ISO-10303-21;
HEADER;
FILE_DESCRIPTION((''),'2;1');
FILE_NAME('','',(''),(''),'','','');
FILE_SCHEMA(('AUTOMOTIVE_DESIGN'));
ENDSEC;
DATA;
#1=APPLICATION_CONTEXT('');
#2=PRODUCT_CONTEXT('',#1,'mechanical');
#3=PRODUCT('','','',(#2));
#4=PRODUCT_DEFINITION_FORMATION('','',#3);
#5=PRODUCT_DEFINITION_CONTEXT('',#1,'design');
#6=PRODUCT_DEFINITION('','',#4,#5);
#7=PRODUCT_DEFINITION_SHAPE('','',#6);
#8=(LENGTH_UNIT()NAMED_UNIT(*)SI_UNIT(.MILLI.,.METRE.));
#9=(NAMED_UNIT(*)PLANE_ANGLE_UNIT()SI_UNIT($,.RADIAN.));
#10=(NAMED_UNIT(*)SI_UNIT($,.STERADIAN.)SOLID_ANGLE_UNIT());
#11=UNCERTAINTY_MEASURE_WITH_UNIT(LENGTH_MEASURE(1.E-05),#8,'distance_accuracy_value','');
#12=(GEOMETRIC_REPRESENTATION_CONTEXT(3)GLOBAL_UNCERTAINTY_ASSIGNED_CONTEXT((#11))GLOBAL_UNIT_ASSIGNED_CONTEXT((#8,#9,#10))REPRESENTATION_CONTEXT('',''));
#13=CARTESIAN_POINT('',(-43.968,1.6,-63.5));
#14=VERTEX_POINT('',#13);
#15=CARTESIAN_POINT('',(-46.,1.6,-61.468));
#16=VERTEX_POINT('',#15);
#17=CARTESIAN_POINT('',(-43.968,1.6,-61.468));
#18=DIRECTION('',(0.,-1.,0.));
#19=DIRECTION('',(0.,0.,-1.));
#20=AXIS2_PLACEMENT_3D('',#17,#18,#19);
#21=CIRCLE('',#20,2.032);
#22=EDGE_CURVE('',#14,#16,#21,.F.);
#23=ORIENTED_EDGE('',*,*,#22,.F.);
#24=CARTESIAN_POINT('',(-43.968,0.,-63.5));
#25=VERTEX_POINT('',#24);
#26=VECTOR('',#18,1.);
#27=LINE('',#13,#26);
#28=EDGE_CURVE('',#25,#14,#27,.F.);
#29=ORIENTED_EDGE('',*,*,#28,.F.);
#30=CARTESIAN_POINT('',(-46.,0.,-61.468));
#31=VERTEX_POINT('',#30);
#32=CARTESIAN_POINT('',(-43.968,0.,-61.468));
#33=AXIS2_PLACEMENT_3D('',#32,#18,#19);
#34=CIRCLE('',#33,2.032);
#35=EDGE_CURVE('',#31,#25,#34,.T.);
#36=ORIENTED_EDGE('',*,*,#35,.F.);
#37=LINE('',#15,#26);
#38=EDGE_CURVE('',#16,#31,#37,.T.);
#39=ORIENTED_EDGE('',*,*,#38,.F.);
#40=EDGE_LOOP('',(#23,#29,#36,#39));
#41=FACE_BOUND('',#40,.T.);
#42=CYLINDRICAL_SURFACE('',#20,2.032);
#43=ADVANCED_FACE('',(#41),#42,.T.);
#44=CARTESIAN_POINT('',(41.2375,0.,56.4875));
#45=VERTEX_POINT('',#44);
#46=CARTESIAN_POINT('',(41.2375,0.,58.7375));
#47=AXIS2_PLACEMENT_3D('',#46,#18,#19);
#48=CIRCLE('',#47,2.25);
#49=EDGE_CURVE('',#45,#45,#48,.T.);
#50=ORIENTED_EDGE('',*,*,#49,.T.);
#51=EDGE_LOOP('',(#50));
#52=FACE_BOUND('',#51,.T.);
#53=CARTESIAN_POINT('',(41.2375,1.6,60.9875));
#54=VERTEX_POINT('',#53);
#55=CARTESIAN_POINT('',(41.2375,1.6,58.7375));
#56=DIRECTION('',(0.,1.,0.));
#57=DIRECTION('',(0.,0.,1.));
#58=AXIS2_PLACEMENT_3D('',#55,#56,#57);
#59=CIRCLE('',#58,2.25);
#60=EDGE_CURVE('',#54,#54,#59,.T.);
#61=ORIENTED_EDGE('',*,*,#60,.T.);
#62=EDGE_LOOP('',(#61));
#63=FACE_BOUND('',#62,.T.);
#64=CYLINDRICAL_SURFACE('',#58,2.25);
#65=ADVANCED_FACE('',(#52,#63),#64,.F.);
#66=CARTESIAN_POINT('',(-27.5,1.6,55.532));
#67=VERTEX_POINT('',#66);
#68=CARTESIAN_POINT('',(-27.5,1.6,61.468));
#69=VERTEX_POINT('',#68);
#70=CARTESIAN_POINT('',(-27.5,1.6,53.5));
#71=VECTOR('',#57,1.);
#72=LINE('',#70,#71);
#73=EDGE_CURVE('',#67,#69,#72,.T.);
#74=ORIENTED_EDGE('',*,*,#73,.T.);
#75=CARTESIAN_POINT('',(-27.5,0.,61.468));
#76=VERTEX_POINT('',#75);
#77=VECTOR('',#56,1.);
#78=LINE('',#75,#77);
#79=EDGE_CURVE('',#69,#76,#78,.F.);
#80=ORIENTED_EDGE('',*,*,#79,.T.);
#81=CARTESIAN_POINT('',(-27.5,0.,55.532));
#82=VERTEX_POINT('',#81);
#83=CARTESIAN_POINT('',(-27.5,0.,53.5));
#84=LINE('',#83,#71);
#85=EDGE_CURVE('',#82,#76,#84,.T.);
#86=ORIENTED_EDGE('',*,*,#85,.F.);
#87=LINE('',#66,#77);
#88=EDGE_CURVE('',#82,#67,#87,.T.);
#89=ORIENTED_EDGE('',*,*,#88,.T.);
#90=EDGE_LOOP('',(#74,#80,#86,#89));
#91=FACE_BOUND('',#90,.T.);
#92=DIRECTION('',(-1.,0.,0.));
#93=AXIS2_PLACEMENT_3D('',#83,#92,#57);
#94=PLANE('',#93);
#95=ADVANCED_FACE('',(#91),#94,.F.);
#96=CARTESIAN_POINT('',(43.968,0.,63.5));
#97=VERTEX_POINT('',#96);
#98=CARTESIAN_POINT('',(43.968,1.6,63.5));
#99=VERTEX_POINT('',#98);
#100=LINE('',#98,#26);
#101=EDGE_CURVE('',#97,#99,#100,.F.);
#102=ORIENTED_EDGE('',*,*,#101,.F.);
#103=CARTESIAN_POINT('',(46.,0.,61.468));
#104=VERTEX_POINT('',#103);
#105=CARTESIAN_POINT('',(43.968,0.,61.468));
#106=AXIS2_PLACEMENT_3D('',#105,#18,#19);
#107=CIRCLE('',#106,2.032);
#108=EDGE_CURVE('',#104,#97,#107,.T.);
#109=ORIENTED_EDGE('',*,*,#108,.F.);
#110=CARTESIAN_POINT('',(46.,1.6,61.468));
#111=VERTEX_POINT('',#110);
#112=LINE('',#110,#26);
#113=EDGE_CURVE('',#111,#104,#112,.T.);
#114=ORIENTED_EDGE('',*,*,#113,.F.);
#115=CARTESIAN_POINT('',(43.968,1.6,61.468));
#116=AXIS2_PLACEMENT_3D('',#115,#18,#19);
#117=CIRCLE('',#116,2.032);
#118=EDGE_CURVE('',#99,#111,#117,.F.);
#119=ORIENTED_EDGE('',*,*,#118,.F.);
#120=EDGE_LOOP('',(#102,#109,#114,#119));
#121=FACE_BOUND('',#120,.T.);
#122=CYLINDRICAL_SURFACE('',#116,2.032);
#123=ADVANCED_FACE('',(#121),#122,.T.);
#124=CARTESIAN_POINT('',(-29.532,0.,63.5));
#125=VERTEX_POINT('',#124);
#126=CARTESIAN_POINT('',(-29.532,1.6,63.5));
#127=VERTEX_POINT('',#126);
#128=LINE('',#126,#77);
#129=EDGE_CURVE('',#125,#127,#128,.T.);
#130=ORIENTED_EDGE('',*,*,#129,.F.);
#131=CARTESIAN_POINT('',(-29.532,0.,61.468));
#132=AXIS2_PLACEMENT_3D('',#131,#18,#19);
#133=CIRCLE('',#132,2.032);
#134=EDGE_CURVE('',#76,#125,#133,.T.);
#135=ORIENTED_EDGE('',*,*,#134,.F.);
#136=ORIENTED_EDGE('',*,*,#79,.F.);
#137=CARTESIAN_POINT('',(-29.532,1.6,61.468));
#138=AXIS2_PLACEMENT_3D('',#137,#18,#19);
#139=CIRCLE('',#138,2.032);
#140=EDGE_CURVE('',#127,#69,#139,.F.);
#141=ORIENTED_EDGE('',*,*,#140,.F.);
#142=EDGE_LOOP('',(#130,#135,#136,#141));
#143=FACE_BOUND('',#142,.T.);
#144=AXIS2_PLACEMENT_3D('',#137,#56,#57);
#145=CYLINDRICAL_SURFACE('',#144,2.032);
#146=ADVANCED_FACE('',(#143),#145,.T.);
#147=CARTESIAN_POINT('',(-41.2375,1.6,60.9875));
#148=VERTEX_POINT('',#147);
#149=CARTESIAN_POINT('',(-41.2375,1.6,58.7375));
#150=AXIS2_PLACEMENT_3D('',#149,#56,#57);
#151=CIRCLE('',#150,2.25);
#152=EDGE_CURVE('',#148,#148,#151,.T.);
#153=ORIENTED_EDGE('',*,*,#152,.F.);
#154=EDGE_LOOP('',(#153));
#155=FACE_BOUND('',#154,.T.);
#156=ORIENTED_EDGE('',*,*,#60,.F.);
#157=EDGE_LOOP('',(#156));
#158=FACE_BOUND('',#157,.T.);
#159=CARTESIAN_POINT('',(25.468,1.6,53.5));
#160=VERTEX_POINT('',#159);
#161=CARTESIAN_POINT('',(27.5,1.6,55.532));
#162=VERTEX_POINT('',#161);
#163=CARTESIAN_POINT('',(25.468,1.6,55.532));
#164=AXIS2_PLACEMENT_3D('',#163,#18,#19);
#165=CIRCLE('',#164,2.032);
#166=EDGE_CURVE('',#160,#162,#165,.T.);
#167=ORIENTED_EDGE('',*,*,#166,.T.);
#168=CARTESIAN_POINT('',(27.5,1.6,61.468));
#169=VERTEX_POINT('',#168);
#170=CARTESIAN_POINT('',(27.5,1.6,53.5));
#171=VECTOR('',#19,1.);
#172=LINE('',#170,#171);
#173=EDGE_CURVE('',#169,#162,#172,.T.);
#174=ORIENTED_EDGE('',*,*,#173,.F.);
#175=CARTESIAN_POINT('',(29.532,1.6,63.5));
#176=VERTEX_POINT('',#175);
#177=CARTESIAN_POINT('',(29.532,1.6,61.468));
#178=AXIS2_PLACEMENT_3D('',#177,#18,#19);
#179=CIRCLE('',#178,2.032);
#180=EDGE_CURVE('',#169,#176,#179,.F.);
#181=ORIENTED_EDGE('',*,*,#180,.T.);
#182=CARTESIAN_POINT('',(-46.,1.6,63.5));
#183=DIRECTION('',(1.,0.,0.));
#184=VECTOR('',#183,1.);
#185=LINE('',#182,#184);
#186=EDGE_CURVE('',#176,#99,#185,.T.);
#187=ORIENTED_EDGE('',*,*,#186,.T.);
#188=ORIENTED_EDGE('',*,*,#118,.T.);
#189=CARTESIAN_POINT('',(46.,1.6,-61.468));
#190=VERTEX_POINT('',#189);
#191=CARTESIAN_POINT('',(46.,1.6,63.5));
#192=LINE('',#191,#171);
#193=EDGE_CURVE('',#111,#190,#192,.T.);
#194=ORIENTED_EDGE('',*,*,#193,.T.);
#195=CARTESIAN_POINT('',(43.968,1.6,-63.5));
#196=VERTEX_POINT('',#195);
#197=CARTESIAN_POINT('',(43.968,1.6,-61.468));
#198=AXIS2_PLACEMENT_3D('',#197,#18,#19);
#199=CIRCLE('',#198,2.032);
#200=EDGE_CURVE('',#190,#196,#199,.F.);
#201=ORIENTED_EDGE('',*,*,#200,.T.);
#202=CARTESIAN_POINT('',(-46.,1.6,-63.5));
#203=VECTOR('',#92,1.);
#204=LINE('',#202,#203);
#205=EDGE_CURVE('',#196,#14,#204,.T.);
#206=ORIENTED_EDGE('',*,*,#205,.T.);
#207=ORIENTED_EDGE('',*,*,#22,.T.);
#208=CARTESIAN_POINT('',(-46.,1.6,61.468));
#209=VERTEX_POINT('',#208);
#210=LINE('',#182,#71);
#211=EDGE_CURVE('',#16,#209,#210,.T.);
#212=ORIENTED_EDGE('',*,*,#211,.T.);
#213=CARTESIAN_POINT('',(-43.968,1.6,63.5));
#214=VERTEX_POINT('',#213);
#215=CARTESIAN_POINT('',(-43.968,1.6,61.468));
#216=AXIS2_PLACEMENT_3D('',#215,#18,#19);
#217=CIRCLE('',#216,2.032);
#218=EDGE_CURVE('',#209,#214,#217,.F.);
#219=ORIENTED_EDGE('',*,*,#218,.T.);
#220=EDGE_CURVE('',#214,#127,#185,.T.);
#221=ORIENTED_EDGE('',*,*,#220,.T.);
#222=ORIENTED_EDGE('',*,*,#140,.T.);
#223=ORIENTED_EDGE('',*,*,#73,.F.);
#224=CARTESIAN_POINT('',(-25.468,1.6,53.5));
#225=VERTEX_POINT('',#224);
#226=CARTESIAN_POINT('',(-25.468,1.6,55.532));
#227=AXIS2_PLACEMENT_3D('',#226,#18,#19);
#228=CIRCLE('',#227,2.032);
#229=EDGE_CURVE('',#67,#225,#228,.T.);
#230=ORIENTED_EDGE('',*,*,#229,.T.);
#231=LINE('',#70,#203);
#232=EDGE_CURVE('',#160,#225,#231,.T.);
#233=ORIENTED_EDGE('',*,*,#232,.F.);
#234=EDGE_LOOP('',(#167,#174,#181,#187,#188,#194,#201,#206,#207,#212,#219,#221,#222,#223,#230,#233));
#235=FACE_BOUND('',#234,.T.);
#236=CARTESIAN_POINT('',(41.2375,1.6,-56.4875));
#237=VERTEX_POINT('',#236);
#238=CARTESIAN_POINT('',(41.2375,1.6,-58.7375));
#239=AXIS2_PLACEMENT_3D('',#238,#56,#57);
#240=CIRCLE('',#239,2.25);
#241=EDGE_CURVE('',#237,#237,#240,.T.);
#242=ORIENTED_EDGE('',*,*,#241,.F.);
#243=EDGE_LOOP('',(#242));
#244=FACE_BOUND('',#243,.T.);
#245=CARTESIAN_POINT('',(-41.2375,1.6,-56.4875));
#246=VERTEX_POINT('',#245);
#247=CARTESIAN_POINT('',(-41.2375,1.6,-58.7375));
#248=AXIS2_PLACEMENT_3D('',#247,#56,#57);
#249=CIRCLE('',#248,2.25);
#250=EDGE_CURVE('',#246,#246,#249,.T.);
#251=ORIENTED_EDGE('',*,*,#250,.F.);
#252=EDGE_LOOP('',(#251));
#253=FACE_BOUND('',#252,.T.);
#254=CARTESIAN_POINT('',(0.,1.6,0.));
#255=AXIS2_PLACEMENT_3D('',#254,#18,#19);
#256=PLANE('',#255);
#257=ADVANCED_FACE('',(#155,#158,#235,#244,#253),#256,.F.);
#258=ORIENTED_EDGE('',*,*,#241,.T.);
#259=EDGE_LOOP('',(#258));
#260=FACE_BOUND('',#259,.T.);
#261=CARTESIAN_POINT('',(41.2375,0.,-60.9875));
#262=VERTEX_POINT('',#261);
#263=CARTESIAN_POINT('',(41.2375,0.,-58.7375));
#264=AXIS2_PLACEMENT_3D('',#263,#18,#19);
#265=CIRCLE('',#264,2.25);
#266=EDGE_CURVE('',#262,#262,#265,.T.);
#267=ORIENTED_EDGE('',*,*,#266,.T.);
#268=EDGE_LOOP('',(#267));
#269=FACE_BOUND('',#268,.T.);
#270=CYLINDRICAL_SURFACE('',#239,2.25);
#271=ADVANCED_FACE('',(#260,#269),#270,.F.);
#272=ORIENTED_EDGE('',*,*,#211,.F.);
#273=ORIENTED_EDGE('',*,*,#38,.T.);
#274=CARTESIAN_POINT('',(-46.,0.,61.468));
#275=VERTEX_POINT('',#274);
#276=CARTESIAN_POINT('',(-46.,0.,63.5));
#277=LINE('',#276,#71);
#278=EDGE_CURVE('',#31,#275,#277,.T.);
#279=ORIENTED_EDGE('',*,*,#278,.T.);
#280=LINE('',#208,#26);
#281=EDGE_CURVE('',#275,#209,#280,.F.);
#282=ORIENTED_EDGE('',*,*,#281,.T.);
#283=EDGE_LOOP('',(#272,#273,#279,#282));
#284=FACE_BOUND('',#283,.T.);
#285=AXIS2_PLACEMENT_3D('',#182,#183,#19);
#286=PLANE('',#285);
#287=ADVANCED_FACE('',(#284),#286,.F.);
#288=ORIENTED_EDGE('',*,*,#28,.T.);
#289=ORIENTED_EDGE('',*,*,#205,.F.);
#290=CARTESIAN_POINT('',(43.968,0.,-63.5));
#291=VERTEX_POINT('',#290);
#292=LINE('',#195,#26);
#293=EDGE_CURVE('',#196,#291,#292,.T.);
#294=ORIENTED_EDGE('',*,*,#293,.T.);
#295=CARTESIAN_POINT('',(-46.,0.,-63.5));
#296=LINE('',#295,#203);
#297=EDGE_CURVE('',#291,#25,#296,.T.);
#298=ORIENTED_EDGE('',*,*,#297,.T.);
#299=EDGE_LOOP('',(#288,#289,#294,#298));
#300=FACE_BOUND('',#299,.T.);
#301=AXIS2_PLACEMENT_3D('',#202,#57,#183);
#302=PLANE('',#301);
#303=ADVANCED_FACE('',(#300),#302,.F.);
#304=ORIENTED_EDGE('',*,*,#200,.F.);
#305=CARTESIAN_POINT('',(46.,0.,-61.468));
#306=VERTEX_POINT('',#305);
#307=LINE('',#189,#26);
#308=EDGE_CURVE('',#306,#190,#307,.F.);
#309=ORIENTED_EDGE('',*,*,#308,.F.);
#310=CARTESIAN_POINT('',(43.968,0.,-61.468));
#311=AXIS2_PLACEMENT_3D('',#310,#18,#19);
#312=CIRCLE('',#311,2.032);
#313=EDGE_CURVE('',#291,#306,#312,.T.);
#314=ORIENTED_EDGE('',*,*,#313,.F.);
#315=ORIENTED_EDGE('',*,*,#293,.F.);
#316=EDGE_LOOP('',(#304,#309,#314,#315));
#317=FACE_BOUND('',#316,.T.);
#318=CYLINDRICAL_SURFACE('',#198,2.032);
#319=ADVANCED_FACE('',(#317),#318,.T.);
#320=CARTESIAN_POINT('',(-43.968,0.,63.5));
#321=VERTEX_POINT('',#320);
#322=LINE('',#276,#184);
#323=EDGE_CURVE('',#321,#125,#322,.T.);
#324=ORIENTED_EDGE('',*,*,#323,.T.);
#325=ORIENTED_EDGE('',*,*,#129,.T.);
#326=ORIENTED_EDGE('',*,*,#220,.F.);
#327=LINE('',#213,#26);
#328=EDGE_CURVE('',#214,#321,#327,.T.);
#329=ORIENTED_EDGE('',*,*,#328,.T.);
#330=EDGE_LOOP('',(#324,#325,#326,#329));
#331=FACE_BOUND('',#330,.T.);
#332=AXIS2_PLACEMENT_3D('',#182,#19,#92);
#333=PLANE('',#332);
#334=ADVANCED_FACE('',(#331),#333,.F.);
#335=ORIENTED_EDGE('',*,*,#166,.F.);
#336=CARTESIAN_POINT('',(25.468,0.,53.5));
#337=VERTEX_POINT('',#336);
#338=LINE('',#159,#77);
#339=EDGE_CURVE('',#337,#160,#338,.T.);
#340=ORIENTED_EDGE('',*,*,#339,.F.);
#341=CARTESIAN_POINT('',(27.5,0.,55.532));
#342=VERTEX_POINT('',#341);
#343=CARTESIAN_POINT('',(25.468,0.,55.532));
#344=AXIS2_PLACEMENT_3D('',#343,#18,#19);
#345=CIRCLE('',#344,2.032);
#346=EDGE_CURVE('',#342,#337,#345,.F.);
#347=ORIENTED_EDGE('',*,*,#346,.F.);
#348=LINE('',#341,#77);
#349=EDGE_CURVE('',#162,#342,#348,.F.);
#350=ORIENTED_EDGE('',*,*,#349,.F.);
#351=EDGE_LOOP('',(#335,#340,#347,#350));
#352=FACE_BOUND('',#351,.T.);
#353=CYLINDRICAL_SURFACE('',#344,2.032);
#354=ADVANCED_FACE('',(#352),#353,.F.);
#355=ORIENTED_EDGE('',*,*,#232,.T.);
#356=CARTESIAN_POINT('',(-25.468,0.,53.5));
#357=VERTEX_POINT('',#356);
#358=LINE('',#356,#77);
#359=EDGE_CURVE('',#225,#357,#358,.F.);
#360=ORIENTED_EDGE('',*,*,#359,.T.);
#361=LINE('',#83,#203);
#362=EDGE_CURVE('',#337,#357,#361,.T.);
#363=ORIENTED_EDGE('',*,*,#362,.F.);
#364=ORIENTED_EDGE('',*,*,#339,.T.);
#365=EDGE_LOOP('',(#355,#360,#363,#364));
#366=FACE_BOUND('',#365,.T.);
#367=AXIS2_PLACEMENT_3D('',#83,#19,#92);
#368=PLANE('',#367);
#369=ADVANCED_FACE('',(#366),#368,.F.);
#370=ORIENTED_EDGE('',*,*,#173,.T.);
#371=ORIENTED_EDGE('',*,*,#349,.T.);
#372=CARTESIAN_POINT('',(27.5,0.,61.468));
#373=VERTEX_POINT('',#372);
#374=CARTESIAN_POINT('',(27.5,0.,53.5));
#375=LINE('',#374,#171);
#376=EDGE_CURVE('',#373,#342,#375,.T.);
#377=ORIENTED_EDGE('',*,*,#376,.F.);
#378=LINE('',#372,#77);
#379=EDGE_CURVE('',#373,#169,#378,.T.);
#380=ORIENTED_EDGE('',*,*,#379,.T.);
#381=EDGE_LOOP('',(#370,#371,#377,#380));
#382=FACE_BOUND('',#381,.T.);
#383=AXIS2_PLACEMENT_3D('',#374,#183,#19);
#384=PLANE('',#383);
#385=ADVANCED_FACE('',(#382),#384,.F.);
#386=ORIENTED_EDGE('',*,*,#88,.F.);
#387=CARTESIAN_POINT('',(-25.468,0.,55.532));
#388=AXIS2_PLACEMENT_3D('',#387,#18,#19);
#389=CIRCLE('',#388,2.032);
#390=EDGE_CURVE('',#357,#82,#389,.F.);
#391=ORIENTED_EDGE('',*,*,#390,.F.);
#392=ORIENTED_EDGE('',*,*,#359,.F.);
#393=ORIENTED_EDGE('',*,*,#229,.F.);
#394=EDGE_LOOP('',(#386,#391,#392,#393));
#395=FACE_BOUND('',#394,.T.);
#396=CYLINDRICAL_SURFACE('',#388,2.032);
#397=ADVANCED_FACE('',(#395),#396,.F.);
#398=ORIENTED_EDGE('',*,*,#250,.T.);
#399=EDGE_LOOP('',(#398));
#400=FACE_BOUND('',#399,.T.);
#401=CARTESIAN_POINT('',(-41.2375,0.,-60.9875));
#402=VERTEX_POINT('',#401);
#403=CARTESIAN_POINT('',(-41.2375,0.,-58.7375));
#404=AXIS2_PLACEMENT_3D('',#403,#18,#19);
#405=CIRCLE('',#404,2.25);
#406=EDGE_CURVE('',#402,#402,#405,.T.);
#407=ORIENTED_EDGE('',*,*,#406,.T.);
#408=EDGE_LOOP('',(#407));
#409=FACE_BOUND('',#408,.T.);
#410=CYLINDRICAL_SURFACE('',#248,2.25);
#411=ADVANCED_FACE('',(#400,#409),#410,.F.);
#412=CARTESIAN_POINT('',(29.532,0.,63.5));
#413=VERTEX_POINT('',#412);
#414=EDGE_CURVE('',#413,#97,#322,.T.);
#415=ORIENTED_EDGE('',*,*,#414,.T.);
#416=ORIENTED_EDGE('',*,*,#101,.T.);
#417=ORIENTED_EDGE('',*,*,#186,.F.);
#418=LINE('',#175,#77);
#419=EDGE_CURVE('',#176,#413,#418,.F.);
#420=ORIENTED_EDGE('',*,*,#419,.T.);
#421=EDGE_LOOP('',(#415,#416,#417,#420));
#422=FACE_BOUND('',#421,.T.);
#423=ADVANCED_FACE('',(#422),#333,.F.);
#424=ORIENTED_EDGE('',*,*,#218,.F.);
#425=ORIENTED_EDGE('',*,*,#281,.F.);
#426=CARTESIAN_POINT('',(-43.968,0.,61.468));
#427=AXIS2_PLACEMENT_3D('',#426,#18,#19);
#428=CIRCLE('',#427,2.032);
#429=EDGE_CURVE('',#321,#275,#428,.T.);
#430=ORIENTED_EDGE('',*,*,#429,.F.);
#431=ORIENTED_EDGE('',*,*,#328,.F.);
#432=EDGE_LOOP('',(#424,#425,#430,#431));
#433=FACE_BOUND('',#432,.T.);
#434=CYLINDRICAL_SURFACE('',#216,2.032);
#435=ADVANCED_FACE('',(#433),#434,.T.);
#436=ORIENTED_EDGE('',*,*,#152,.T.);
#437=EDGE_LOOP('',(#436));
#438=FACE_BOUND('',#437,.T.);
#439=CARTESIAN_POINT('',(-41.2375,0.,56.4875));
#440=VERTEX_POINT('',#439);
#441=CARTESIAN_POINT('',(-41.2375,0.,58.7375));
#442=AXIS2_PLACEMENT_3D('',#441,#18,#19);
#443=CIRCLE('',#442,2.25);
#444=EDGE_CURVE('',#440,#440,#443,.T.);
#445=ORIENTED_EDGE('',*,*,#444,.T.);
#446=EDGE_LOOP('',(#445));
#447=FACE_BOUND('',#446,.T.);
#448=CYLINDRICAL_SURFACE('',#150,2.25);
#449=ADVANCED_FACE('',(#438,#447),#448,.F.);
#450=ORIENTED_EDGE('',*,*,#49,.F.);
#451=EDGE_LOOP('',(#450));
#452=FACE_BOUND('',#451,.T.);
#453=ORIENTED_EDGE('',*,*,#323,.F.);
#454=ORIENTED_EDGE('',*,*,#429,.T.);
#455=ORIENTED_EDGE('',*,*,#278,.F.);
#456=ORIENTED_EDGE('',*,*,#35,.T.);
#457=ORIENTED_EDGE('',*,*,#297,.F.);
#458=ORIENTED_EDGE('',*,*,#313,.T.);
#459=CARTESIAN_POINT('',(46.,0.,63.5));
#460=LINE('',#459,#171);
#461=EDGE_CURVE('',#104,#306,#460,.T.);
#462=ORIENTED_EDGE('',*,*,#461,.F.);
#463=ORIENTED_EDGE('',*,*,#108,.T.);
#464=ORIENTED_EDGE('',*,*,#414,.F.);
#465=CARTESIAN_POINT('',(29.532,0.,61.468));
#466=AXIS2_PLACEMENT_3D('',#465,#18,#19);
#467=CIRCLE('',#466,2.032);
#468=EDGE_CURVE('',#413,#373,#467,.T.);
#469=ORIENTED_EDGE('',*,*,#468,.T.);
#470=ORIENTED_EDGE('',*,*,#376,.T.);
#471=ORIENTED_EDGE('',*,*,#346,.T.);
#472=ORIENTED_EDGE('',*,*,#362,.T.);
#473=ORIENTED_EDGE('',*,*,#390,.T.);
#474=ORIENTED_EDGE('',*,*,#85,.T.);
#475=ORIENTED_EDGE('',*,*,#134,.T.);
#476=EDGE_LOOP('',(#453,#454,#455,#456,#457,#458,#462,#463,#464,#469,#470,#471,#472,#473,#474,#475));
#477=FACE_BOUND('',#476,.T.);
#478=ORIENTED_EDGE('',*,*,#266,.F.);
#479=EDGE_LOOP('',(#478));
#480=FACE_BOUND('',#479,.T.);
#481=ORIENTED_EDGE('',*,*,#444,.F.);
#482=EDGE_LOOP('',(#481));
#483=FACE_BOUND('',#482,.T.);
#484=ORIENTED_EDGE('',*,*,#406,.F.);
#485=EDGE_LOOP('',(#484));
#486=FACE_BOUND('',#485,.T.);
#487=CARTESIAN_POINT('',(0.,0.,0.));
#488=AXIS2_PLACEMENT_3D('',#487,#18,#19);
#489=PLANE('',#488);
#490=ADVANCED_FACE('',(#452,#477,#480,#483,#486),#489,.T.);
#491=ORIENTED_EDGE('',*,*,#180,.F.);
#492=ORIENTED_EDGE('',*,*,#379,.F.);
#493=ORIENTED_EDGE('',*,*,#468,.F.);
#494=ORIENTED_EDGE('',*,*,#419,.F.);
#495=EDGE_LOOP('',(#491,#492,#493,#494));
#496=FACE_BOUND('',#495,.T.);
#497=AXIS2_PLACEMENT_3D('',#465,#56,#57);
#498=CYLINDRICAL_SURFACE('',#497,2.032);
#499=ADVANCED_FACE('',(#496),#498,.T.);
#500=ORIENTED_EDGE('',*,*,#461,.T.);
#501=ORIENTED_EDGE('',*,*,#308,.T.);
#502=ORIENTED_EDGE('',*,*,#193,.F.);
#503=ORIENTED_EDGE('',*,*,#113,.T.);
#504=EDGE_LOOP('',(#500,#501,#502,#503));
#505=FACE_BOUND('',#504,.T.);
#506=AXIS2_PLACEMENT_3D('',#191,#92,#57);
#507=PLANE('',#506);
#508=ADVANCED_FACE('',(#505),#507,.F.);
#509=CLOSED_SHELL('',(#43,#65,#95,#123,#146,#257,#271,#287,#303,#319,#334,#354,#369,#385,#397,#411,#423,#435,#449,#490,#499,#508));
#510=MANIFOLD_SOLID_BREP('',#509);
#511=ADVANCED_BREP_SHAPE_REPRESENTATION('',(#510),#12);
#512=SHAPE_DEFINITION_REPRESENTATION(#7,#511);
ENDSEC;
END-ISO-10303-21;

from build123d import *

# Parameters (mm, degrees)
SKETCH1_W                = 92
SKETCH1_H                = 127
BOSS_EXTRUDE1_DEPTH      = 1.6
M4_CLEARANCE_HOLE1_D     = 4.5
M4_CLEARANCE_HOLE1_DEPTH = 50
M4_CLEARANCE_HOLE1_TIP   = 1.351936393
SKETCH4_W                = 55
SKETCH4_H                = 10
CUT_EXTRUDE1_DEPTH       = 1.6
FILLET1_R                = 2.032


with BuildPart() as part:
    # Sketch1 → Boss-Extrude1 (new body)
    with BuildSketch(Plane(origin=(0, 0, 0), x_dir=(1, 0, 0), z_dir=(0, 1, 0))):
        Rectangle(SKETCH1_W, SKETCH1_H)
    extrude(amount=BOSS_EXTRUDE1_DEPTH)

    # M4 Clearance Hole1
    with Locations(Plane(origin=(0, 1.6, 0), x_dir=(1, 0, 0), z_dir=(0, 1, 0))):
        with Locations((-41.2375, 58.7375), (41.2375, 58.7375), (41.2375, -58.7375), (-41.2375, -58.7375)):
            Hole(M4_CLEARANCE_HOLE1_D / 2, depth=M4_CLEARANCE_HOLE1_DEPTH)
            with Locations((0, 0, -(M4_CLEARANCE_HOLE1_DEPTH + M4_CLEARANCE_HOLE1_TIP / 2))):  # 118° drill point
                Cone(0, M4_CLEARANCE_HOLE1_D / 2, M4_CLEARANCE_HOLE1_TIP, mode=Mode.SUBTRACT)

    # Sketch4 → Cut-Extrude1 (cut)
    with BuildSketch(Plane(origin=(0, 1.6, 0), x_dir=(1, 0, 0), z_dir=(0, 1, 0))):
        with Locations((0, -58.5)):
            Rectangle(SKETCH4_W, SKETCH4_H)
    extrude(amount=-CUT_EXTRUDE1_DEPTH, mode=Mode.SUBTRACT)

    # Fillet1
    fillet1_edges = [part.edges().sort_by_distance(p)[0] for p in [
        (27.5, 0.8, 53.5),
        (27.5, 0.8, 63.5),
        (-27.5, 0.8, 63.5),
        (-27.5, 0.8, 53.5),
        (46, 0.8, 63.5),
        (-46, 0.8, 63.5),
        (-46, 0.8, -63.5),
        (46, 0.8, -63.5),
    ]]
    fillet(fillet1_edges, radius=FILLET1_R)


solid = part.part
